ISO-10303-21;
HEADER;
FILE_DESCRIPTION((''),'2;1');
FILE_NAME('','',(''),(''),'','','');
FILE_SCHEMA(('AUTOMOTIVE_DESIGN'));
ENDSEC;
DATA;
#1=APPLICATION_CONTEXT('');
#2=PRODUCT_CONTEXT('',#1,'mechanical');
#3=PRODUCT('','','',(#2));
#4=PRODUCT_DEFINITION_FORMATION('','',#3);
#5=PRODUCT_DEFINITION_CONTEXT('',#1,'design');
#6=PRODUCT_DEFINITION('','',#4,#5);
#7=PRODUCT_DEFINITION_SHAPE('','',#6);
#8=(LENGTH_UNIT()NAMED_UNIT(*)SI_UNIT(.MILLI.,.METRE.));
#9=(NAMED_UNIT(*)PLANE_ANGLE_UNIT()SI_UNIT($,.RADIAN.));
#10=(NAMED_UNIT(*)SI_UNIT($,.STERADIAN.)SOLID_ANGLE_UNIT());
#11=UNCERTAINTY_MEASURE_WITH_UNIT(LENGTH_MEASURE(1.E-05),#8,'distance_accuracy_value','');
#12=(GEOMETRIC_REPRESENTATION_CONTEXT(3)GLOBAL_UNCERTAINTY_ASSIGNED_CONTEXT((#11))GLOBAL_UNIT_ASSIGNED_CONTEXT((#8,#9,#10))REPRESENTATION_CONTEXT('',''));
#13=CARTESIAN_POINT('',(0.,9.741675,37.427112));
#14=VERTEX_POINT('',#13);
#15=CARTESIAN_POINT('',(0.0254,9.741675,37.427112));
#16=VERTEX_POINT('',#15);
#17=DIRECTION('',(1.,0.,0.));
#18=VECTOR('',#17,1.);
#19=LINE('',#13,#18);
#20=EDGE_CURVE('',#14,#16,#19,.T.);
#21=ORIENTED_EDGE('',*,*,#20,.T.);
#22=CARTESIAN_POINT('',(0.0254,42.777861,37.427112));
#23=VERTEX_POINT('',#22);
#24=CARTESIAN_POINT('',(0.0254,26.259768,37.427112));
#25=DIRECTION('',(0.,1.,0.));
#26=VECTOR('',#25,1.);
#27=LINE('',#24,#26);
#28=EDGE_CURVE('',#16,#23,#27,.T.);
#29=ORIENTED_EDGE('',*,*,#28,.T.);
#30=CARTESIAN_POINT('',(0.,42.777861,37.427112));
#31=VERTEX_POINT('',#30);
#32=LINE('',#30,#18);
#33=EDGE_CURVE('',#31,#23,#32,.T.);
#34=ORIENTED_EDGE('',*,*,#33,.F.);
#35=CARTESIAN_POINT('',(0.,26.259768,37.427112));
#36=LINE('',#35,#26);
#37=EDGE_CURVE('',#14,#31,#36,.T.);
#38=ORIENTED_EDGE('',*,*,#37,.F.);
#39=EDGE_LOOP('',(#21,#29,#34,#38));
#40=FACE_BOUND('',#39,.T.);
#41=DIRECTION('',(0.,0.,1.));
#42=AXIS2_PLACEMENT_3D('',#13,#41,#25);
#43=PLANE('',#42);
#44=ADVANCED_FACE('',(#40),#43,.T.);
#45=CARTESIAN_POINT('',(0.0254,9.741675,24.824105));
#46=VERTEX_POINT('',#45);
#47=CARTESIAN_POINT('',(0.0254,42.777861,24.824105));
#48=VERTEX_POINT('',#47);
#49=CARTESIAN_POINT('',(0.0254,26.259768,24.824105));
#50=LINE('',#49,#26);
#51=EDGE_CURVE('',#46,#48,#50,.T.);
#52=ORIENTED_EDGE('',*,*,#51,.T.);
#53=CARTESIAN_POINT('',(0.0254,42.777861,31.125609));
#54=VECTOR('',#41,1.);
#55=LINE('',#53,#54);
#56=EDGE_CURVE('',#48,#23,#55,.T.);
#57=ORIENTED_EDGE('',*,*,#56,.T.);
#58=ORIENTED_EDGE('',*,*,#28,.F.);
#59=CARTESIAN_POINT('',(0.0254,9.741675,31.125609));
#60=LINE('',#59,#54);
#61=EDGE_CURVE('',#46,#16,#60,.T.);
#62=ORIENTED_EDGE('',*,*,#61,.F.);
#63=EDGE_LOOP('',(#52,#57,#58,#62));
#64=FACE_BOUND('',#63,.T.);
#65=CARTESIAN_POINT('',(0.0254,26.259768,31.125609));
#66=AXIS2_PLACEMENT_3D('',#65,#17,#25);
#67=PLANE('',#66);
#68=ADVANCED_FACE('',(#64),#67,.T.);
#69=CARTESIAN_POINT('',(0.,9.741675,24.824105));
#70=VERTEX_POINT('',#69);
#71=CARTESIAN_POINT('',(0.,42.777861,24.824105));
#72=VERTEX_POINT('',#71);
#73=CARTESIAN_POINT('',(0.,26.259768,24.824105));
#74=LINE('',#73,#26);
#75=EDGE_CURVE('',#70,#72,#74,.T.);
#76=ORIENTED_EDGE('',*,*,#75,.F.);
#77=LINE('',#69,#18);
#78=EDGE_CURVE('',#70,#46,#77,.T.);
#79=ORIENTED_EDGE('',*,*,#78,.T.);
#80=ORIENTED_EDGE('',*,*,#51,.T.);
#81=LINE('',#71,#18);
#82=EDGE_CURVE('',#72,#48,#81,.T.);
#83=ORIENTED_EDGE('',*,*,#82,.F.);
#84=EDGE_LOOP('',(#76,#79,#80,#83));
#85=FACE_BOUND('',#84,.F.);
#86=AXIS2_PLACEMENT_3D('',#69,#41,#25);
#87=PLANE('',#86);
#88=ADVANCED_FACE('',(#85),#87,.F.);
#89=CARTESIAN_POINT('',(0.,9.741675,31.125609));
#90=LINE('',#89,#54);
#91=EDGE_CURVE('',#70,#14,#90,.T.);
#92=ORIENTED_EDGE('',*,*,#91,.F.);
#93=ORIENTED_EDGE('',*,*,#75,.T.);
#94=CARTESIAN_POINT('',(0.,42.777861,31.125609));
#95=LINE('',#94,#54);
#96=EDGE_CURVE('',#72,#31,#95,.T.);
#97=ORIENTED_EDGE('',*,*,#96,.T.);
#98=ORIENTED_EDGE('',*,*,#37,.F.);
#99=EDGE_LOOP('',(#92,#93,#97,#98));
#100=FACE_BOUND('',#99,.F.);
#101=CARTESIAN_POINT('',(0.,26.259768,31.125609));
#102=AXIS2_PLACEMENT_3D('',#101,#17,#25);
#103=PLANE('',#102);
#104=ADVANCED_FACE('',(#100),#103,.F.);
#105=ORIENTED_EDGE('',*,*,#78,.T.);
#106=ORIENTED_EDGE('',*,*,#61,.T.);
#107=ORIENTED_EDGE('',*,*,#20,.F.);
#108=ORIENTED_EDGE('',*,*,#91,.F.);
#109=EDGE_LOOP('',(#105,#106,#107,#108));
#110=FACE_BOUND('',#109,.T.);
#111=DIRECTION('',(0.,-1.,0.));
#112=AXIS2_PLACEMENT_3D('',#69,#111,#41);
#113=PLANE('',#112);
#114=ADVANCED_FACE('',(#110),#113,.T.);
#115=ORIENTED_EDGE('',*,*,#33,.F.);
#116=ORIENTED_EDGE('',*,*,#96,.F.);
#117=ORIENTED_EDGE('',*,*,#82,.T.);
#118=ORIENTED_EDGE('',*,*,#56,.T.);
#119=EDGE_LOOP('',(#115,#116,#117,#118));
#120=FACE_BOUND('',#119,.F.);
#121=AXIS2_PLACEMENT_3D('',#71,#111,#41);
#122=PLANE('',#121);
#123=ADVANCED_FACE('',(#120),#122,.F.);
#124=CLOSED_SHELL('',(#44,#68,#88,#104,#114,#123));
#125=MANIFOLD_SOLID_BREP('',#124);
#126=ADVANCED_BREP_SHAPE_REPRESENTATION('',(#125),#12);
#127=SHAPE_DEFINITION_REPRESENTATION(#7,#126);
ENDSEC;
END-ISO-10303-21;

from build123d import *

# Parameters (mm, degrees)
F1_DEPTH = 0.0254
F4_DEPTH = 0.0254
F5_W     = 33.0361854285
F5_H     = 12.603007257
F7_DEPTH = 0.0254


with BuildPart() as f1:
    # F0 (on Right) → F1 (new body)
    with BuildSketch(Plane.YZ):
        Polygon((-42.5828881562, 33.7989740074), (-55.3768500686, 33.7989740074), (-54.9949407578, 23.2964698225), (-42.5828881562, 23.2964698225), align=None)
    extrude(amount=F1_DEPTH)


with BuildPart() as f4:
    # F2 (on Right) → F4 (new body)
    with BuildSketch(Plane.YZ):
        Polygon((-15.8492363989, 37.4271124601), (-30.1708355546, 37.4271124601), (-30.1708355546, 23.6783772707), (-15.4673270881, 23.6783772707), align=None)
    extrude(amount=F4_DEPTH)


with BuildPart() as f7:
    # F5 (on Right) → F7 (new body)
    with BuildSketch(Plane.YZ):
        with Locations((26.2597678229, 31.1256088316)):
            Rectangle(F5_W, F5_H)
    extrude(amount=F7_DEPTH)


solid = f7.part
